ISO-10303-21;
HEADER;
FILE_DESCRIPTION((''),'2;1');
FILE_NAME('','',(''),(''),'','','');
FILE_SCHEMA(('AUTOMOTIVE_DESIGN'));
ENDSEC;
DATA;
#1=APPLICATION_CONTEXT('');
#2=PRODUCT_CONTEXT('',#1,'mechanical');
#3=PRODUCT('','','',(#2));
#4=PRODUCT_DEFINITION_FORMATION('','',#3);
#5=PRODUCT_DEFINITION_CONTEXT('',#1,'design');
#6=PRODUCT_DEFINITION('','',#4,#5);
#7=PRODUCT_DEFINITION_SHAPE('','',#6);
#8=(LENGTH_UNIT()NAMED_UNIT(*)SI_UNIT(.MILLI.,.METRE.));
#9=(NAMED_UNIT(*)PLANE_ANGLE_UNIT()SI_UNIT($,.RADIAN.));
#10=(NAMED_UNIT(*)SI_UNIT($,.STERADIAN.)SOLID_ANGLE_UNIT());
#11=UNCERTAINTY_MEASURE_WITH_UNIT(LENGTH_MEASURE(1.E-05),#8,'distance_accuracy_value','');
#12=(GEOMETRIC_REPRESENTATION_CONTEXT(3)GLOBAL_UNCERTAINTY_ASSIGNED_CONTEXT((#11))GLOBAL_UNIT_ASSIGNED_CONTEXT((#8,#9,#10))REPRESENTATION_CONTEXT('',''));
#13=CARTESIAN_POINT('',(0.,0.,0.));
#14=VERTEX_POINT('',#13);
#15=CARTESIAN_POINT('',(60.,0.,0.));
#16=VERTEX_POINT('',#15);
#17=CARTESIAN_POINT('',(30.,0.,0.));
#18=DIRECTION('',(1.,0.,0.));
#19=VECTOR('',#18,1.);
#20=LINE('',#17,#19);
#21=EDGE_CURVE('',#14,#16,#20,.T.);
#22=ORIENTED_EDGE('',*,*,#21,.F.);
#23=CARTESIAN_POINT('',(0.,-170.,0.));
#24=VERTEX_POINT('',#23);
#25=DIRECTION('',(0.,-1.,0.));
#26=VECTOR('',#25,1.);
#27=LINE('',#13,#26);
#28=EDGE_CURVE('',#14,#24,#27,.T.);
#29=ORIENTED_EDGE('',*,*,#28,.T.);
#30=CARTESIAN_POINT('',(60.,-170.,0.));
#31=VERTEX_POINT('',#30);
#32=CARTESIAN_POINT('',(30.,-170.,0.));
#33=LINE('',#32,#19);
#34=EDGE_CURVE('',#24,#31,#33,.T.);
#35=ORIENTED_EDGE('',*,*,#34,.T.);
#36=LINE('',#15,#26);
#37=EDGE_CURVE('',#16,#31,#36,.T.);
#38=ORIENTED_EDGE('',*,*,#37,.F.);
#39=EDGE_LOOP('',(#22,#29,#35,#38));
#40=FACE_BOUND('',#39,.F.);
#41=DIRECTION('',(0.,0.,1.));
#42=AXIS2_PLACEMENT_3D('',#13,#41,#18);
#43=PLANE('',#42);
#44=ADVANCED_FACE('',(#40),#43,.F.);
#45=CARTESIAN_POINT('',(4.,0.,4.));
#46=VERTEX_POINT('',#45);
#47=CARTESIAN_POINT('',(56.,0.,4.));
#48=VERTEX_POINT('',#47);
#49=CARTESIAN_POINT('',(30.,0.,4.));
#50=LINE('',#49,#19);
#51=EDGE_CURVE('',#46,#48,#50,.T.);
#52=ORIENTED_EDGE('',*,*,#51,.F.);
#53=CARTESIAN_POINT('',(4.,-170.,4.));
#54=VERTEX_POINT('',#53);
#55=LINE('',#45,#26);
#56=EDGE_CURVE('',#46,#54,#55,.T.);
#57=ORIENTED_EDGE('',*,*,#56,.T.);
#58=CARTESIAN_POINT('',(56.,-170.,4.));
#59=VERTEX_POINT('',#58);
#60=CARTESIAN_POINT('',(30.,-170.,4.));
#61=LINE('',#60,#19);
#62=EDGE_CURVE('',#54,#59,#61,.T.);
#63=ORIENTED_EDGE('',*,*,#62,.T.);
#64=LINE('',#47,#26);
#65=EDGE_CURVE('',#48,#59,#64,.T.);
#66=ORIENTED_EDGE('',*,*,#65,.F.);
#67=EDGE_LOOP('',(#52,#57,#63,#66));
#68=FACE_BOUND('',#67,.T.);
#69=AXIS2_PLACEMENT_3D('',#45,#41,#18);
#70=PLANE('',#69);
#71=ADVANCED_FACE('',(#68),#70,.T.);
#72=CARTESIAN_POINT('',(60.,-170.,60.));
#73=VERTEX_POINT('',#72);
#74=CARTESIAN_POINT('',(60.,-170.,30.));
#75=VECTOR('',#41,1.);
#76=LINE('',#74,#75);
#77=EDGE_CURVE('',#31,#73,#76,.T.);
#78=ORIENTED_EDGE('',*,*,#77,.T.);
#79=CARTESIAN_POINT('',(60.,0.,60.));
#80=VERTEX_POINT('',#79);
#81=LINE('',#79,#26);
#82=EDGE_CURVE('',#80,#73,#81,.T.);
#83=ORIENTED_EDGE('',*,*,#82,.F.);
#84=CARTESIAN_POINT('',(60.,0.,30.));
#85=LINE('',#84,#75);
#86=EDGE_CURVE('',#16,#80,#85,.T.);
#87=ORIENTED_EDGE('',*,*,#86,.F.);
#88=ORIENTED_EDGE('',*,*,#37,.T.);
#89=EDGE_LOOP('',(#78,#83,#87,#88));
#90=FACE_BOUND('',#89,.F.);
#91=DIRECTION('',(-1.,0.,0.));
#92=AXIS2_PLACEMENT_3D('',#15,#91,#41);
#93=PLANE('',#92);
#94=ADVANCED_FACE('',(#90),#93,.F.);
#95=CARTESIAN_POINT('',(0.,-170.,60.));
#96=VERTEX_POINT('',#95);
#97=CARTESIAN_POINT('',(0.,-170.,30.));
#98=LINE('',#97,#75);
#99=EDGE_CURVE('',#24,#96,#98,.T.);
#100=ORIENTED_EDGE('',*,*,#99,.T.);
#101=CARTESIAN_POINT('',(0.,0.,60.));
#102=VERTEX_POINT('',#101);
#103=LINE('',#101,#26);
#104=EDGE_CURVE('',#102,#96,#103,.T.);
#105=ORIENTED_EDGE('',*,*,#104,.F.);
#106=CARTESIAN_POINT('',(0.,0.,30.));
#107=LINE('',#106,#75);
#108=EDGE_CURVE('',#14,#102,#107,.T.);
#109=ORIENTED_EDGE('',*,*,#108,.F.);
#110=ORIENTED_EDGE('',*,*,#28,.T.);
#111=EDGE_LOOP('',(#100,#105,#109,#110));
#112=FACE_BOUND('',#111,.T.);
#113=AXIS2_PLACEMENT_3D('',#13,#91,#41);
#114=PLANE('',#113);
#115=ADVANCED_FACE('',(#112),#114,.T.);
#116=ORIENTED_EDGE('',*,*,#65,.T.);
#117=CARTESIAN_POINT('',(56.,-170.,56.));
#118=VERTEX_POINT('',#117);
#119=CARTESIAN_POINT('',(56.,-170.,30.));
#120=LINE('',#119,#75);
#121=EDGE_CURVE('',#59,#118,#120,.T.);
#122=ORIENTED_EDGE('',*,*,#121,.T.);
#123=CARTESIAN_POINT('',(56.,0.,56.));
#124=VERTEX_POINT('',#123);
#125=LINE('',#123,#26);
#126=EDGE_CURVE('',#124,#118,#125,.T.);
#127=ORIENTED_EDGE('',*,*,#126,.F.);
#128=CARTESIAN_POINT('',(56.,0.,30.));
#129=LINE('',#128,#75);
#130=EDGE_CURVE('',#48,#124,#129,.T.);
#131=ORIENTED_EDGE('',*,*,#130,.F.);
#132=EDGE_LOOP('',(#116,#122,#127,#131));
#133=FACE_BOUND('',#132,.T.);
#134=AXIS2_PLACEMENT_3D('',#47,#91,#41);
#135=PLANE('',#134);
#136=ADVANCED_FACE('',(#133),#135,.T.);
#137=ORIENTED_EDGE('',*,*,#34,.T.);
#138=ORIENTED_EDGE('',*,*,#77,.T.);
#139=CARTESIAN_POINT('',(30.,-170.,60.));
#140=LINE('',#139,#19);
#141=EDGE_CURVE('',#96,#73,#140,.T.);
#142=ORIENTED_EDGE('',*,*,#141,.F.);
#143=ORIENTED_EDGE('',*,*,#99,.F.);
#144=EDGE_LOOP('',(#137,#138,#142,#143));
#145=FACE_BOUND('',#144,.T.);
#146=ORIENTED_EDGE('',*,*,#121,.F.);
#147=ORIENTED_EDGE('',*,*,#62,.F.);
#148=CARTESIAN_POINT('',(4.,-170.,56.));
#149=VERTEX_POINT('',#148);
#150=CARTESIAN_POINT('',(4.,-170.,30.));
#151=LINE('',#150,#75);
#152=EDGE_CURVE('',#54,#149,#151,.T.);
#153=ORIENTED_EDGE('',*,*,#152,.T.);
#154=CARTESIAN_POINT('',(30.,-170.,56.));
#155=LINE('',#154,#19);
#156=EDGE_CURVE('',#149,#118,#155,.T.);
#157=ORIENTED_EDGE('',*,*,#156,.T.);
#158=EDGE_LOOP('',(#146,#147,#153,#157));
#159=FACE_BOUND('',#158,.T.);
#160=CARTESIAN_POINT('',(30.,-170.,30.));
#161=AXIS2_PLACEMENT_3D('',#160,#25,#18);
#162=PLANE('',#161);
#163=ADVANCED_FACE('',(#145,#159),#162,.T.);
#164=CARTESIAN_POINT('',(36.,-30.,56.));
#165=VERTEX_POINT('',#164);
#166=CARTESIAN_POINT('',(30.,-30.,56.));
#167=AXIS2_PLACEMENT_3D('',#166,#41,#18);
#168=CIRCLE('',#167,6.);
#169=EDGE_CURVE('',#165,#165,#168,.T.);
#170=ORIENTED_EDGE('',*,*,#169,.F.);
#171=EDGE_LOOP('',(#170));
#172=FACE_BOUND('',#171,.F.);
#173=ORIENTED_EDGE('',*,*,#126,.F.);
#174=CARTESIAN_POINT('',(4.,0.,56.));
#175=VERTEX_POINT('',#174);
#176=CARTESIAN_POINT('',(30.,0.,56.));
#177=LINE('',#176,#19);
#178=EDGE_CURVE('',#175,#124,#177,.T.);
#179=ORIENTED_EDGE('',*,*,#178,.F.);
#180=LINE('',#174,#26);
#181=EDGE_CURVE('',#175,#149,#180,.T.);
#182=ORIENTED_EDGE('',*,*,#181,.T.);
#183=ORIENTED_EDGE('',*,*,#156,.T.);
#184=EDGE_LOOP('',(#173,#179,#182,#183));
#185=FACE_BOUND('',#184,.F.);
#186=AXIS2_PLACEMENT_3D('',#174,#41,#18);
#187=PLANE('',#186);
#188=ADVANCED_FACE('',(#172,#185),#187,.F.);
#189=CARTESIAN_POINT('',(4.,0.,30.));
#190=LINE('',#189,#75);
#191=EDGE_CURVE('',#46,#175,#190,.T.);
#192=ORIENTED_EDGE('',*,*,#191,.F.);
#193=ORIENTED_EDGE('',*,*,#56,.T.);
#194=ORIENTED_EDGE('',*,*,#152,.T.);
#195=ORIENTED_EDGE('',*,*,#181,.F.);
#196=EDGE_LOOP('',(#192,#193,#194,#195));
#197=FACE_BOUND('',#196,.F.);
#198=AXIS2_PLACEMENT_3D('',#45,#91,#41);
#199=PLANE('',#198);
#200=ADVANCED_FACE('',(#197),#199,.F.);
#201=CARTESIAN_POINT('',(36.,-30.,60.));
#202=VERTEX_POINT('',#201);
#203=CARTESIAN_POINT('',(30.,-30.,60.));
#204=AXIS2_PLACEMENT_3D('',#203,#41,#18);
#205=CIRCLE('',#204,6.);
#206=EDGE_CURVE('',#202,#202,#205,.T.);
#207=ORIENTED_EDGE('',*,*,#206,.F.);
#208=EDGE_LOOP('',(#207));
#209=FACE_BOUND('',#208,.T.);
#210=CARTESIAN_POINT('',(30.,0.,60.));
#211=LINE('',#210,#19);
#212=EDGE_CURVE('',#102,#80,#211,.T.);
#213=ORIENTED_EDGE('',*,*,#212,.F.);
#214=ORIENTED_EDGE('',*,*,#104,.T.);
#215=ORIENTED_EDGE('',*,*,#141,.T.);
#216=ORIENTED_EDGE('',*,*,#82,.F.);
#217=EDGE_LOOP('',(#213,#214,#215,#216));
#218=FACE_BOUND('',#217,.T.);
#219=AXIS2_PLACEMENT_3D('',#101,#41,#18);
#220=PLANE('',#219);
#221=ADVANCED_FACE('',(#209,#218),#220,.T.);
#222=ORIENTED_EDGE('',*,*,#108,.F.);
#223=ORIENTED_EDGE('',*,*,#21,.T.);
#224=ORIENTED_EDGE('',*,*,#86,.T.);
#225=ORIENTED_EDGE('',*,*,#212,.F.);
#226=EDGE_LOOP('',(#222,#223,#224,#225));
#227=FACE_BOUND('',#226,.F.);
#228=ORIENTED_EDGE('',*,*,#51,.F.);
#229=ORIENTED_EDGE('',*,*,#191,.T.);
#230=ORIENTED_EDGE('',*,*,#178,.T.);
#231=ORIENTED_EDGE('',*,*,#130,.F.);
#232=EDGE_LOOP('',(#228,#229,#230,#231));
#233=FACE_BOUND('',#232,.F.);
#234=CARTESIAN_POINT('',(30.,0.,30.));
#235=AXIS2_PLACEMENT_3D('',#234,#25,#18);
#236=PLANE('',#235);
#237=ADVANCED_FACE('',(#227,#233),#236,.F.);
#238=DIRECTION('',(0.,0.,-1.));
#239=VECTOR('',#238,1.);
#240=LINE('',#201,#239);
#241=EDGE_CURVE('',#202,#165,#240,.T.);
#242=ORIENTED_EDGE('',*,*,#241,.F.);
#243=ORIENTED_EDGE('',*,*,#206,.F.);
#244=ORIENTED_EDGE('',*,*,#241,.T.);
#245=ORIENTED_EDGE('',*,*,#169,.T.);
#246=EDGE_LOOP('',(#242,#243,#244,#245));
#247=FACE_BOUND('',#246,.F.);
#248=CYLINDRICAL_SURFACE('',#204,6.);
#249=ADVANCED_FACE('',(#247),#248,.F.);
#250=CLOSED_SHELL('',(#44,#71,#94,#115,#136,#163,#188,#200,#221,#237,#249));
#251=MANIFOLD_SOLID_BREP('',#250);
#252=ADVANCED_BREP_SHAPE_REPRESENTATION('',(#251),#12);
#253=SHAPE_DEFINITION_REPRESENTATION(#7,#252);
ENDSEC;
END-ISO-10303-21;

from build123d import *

# Parameters (mm, degrees)
F0_W     = 60
F0_H     = 60
F0_W_2   = 52
F0_H_2   = 52
F1_DEPTH = 170
F2_R     = 6
F3_DEPTH = 10


with BuildPart() as f1:
    # F0 (on Front) → F1 (new body)
    with BuildSketch(Plane.XZ):
        with Locations((30, 30)):
            Rectangle(F0_W, F0_H)
        with Locations((30, 30)):
            Rectangle(F0_W_2, F0_H_2, mode=Mode.SUBTRACT)
    extrude(amount=F1_DEPTH)

    # F2 (on face) → F3 (cut)
    with BuildSketch(Plane.XY.offset(60)):
        with Locations((30, -30)):
            Circle(F2_R)
    extrude(amount=-F3_DEPTH, mode=Mode.SUBTRACT)


solid = f1.part
